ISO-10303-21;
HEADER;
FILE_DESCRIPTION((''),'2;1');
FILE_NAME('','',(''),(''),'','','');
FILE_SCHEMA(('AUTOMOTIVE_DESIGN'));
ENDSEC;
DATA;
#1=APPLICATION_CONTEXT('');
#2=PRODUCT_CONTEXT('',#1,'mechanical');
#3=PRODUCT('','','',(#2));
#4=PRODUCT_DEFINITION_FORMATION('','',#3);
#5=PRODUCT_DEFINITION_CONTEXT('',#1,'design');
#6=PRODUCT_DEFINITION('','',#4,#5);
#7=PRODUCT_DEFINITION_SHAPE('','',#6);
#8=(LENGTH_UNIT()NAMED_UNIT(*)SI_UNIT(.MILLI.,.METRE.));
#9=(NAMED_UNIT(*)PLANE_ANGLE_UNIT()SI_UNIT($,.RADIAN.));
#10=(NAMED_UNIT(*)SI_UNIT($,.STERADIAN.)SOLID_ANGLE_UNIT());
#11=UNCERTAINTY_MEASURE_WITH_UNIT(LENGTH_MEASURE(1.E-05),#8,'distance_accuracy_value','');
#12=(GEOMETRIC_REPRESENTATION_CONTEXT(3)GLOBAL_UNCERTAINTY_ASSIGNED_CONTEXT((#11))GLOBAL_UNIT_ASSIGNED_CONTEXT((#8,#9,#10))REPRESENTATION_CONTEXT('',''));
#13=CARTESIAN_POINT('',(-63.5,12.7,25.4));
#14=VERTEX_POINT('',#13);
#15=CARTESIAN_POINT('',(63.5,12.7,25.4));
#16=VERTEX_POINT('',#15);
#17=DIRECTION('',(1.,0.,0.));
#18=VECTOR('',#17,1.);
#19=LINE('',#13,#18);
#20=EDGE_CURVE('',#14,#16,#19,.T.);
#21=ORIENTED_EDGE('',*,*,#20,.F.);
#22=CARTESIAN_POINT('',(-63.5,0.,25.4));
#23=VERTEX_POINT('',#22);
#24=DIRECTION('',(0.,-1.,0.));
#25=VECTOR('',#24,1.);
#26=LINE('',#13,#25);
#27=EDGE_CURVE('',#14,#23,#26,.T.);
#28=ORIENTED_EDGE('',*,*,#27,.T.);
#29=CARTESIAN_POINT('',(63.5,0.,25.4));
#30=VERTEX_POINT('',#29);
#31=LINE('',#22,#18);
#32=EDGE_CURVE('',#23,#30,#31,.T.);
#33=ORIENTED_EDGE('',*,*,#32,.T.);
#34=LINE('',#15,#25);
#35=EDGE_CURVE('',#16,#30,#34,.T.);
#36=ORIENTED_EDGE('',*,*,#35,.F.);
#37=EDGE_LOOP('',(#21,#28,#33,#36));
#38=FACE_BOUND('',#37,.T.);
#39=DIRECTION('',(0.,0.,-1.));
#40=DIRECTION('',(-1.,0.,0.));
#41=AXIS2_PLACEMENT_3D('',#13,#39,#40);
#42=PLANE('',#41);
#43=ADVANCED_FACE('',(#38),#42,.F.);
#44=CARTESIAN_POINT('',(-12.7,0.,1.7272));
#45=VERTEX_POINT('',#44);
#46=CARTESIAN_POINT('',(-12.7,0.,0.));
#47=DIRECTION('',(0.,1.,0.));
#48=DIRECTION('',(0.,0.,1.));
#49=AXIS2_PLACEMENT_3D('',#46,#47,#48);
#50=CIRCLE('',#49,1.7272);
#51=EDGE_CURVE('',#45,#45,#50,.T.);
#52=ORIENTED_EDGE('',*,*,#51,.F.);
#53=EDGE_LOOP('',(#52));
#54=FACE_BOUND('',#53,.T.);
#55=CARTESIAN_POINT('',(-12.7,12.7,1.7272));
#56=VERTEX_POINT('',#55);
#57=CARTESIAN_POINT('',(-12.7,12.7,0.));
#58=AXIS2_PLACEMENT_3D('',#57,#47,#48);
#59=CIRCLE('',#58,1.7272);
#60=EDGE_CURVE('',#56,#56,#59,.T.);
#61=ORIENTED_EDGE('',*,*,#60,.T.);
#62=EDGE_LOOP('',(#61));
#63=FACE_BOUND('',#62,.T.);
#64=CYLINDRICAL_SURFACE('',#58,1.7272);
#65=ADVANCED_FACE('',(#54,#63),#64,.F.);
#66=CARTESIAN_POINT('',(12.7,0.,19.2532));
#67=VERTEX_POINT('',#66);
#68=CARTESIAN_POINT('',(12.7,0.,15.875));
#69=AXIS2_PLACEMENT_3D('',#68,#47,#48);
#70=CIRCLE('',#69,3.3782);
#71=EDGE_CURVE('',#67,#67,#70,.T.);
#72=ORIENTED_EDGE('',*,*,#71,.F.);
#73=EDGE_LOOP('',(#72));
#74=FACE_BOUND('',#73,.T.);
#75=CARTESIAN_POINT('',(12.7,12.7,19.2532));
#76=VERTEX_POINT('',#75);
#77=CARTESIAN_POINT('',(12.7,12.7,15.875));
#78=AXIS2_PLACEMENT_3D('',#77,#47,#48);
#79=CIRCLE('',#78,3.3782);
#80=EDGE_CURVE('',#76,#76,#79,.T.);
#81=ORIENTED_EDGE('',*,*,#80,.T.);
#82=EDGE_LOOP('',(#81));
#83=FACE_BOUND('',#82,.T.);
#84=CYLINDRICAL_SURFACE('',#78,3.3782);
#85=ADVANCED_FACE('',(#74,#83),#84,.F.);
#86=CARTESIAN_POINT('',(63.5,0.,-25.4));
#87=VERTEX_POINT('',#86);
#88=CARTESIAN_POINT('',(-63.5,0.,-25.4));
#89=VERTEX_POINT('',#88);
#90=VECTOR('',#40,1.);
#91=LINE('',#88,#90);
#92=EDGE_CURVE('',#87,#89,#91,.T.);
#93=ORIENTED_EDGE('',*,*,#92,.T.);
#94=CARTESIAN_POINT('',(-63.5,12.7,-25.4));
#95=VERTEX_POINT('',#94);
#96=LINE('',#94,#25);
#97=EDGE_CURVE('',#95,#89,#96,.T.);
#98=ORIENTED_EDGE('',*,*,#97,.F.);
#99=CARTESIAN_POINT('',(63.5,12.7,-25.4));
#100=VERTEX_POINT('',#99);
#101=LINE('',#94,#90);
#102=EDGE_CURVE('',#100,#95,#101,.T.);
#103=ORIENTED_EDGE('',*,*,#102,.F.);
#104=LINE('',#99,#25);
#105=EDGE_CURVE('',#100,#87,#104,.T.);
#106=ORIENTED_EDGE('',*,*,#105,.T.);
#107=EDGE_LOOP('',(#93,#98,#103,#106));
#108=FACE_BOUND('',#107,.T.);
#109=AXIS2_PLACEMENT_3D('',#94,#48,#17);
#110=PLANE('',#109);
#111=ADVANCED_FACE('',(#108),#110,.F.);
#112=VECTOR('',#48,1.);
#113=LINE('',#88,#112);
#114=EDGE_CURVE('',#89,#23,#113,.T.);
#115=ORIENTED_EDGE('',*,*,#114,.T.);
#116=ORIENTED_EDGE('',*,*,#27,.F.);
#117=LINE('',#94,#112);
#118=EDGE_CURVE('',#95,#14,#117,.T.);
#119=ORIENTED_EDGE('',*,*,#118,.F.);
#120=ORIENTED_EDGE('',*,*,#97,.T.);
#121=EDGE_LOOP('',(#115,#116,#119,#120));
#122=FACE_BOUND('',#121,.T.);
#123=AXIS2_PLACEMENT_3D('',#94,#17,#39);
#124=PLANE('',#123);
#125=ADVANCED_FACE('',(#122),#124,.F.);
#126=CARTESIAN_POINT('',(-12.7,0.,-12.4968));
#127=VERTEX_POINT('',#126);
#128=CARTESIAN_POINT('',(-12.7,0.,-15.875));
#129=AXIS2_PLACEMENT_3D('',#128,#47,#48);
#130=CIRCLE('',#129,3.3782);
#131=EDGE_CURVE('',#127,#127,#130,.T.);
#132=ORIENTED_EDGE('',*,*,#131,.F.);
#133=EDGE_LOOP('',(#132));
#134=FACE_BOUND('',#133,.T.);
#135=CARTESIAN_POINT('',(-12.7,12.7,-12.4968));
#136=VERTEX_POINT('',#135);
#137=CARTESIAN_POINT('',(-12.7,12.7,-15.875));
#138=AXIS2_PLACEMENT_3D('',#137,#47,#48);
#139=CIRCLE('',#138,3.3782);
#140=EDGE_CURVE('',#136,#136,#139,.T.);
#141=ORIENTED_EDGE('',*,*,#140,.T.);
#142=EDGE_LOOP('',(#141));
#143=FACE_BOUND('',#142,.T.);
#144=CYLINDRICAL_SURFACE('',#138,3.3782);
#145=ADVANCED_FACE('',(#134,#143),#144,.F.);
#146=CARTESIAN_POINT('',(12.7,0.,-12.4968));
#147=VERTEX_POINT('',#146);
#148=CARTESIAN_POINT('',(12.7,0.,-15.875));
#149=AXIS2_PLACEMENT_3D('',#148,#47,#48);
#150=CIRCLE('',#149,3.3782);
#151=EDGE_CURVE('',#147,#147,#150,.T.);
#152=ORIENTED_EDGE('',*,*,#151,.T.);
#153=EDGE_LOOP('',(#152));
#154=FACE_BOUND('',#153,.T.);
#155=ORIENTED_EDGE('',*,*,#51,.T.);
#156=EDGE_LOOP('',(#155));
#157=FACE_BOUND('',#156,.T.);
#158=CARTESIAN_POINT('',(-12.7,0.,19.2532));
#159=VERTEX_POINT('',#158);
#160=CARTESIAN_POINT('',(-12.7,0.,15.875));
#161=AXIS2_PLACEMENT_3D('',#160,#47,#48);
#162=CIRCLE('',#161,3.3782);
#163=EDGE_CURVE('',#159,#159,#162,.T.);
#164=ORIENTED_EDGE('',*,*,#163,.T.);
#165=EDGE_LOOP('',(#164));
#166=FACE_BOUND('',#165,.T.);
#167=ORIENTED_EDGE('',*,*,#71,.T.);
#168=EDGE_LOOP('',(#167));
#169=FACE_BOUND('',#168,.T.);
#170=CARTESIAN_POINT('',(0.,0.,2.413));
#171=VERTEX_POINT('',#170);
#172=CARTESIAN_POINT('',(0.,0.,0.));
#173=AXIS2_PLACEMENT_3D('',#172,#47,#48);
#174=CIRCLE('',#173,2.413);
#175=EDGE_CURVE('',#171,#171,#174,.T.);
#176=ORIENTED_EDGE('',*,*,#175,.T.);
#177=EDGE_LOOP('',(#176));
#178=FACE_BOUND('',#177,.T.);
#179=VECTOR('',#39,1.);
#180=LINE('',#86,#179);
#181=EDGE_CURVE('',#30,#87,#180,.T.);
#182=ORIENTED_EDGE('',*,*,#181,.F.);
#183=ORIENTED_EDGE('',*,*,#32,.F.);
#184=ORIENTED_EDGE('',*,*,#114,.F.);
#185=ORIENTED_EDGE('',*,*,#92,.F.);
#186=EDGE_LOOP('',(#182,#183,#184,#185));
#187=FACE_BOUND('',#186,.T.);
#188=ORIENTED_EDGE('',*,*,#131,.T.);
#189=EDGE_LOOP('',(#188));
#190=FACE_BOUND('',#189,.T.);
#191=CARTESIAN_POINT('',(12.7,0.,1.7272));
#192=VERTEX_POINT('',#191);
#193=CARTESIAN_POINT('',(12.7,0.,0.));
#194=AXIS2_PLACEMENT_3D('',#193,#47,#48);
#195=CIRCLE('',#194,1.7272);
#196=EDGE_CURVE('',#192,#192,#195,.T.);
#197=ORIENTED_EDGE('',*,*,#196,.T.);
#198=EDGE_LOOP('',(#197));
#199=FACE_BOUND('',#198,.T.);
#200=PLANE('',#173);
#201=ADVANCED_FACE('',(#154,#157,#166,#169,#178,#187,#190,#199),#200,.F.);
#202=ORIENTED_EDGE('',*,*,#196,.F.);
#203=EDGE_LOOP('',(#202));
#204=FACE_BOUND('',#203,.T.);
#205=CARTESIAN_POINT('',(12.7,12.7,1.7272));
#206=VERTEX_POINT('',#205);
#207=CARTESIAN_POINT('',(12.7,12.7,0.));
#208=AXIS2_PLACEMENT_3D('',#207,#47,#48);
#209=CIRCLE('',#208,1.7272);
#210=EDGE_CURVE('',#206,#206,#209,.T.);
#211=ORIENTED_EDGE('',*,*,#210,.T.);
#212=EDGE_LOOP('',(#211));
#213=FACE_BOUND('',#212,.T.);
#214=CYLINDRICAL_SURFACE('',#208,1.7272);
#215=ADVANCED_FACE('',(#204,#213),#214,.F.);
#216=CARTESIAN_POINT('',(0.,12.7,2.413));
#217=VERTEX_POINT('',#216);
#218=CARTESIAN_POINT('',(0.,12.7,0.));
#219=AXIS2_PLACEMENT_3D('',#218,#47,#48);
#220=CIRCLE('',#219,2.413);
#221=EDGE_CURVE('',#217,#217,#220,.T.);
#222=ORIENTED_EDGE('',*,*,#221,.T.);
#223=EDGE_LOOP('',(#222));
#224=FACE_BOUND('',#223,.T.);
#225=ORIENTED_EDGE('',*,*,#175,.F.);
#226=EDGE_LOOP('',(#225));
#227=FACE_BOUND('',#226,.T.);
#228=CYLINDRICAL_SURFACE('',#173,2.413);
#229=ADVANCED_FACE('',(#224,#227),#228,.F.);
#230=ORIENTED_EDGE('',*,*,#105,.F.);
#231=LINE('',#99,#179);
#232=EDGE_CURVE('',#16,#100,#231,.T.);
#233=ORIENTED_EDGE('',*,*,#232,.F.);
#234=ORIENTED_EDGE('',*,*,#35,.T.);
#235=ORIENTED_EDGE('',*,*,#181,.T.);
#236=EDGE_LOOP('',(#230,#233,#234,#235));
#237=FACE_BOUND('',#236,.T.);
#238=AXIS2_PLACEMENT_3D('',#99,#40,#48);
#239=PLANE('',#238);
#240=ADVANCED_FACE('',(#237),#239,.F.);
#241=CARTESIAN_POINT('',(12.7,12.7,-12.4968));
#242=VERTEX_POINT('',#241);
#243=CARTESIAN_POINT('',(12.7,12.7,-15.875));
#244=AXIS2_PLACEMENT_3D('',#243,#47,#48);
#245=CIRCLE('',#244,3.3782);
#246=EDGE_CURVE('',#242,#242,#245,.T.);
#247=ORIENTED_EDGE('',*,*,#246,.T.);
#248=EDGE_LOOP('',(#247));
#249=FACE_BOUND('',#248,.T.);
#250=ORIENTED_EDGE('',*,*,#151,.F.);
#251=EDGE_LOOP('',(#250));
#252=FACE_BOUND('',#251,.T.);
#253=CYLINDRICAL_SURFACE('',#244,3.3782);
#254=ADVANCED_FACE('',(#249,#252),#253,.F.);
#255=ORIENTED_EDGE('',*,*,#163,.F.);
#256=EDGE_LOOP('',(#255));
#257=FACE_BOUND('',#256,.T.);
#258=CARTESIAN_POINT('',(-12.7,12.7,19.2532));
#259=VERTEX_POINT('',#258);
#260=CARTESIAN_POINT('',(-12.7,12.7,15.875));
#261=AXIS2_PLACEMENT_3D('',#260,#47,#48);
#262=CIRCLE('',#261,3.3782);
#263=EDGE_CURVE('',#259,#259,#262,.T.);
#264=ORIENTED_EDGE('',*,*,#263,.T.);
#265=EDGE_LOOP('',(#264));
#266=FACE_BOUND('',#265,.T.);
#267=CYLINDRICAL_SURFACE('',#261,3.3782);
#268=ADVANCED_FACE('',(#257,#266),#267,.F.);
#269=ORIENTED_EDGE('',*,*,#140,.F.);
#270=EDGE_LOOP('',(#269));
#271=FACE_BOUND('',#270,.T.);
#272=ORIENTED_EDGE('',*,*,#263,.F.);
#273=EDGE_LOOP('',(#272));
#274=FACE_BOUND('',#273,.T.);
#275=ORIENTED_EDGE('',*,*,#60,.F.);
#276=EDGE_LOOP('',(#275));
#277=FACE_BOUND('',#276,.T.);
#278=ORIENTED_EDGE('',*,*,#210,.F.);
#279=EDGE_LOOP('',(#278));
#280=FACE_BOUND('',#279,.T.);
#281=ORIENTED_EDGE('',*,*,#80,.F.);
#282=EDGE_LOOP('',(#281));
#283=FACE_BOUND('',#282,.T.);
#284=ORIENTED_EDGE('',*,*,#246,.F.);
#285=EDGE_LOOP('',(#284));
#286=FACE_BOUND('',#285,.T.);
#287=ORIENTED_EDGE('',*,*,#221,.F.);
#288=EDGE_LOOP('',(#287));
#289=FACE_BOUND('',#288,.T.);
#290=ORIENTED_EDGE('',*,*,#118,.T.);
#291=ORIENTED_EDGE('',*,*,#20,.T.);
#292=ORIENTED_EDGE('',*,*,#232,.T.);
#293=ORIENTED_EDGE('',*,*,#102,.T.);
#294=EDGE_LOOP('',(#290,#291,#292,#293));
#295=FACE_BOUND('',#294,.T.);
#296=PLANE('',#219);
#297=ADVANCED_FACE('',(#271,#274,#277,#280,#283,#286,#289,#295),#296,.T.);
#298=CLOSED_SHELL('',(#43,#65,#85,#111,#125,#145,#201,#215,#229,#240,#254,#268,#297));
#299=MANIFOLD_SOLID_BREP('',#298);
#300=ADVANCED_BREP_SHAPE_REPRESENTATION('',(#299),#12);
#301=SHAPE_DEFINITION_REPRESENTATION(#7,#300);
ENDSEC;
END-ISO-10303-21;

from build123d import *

# Parameters (mm, degrees)
SKETCH1_W                 = 127
SKETCH1_H                 = 50.8
BOSS_EXTRUDE1_DEPTH       = 12.7
SKETCH2_R                 = 2.413
CUT_EXTRUDE1_DEPTH        = 70.560764803
F_1_4_CLEARANCE_HOLE1_D   = 6.7564
TAP_DRILL_FOR_8_32_TAP1_D = 3.4544


with BuildPart() as part:
    # Sketch1 → Boss-Extrude1 (new body)
    with BuildSketch(Plane(origin=(0, 0, 0), x_dir=(1, 0, 0), z_dir=(0, 1, 0))):
        Rectangle(SKETCH1_W, SKETCH1_H)
    extrude(amount=BOSS_EXTRUDE1_DEPTH)

    # Sketch2 → Cut-Extrude1 (cut, through all)
    with BuildSketch(Plane(origin=(0, 12.7, 0), x_dir=(1, 0, 0), z_dir=(0, 1, 0))):
        with Locations(Location((0, 0, 0), (0, 0, 270))):
            Circle(SKETCH2_R)
    extrude(amount=-CUT_EXTRUDE1_DEPTH, mode=Mode.SUBTRACT)

    # 1/4 Clearance Hole1 (through all)
    with Locations(Plane(origin=(0, 12.7, 0), x_dir=(1, 0, 0), z_dir=(0, 1, 0))):
        with Locations((-12.7, 15.875), (12.7, 15.875), (-12.7, -15.875), (12.7, -15.875)):
            Hole(F_1_4_CLEARANCE_HOLE1_D / 2)

    # Tap Drill for #8-32 Tap1 (through all)
    with Locations(Plane(origin=(0, 12.7, 0), x_dir=(1, 0, 0), z_dir=(0, 1, 0))):
        with Locations((12.7, 0), (-12.7, 0)):
            Hole(TAP_DRILL_FOR_8_32_TAP1_D / 2)


solid = part.part
